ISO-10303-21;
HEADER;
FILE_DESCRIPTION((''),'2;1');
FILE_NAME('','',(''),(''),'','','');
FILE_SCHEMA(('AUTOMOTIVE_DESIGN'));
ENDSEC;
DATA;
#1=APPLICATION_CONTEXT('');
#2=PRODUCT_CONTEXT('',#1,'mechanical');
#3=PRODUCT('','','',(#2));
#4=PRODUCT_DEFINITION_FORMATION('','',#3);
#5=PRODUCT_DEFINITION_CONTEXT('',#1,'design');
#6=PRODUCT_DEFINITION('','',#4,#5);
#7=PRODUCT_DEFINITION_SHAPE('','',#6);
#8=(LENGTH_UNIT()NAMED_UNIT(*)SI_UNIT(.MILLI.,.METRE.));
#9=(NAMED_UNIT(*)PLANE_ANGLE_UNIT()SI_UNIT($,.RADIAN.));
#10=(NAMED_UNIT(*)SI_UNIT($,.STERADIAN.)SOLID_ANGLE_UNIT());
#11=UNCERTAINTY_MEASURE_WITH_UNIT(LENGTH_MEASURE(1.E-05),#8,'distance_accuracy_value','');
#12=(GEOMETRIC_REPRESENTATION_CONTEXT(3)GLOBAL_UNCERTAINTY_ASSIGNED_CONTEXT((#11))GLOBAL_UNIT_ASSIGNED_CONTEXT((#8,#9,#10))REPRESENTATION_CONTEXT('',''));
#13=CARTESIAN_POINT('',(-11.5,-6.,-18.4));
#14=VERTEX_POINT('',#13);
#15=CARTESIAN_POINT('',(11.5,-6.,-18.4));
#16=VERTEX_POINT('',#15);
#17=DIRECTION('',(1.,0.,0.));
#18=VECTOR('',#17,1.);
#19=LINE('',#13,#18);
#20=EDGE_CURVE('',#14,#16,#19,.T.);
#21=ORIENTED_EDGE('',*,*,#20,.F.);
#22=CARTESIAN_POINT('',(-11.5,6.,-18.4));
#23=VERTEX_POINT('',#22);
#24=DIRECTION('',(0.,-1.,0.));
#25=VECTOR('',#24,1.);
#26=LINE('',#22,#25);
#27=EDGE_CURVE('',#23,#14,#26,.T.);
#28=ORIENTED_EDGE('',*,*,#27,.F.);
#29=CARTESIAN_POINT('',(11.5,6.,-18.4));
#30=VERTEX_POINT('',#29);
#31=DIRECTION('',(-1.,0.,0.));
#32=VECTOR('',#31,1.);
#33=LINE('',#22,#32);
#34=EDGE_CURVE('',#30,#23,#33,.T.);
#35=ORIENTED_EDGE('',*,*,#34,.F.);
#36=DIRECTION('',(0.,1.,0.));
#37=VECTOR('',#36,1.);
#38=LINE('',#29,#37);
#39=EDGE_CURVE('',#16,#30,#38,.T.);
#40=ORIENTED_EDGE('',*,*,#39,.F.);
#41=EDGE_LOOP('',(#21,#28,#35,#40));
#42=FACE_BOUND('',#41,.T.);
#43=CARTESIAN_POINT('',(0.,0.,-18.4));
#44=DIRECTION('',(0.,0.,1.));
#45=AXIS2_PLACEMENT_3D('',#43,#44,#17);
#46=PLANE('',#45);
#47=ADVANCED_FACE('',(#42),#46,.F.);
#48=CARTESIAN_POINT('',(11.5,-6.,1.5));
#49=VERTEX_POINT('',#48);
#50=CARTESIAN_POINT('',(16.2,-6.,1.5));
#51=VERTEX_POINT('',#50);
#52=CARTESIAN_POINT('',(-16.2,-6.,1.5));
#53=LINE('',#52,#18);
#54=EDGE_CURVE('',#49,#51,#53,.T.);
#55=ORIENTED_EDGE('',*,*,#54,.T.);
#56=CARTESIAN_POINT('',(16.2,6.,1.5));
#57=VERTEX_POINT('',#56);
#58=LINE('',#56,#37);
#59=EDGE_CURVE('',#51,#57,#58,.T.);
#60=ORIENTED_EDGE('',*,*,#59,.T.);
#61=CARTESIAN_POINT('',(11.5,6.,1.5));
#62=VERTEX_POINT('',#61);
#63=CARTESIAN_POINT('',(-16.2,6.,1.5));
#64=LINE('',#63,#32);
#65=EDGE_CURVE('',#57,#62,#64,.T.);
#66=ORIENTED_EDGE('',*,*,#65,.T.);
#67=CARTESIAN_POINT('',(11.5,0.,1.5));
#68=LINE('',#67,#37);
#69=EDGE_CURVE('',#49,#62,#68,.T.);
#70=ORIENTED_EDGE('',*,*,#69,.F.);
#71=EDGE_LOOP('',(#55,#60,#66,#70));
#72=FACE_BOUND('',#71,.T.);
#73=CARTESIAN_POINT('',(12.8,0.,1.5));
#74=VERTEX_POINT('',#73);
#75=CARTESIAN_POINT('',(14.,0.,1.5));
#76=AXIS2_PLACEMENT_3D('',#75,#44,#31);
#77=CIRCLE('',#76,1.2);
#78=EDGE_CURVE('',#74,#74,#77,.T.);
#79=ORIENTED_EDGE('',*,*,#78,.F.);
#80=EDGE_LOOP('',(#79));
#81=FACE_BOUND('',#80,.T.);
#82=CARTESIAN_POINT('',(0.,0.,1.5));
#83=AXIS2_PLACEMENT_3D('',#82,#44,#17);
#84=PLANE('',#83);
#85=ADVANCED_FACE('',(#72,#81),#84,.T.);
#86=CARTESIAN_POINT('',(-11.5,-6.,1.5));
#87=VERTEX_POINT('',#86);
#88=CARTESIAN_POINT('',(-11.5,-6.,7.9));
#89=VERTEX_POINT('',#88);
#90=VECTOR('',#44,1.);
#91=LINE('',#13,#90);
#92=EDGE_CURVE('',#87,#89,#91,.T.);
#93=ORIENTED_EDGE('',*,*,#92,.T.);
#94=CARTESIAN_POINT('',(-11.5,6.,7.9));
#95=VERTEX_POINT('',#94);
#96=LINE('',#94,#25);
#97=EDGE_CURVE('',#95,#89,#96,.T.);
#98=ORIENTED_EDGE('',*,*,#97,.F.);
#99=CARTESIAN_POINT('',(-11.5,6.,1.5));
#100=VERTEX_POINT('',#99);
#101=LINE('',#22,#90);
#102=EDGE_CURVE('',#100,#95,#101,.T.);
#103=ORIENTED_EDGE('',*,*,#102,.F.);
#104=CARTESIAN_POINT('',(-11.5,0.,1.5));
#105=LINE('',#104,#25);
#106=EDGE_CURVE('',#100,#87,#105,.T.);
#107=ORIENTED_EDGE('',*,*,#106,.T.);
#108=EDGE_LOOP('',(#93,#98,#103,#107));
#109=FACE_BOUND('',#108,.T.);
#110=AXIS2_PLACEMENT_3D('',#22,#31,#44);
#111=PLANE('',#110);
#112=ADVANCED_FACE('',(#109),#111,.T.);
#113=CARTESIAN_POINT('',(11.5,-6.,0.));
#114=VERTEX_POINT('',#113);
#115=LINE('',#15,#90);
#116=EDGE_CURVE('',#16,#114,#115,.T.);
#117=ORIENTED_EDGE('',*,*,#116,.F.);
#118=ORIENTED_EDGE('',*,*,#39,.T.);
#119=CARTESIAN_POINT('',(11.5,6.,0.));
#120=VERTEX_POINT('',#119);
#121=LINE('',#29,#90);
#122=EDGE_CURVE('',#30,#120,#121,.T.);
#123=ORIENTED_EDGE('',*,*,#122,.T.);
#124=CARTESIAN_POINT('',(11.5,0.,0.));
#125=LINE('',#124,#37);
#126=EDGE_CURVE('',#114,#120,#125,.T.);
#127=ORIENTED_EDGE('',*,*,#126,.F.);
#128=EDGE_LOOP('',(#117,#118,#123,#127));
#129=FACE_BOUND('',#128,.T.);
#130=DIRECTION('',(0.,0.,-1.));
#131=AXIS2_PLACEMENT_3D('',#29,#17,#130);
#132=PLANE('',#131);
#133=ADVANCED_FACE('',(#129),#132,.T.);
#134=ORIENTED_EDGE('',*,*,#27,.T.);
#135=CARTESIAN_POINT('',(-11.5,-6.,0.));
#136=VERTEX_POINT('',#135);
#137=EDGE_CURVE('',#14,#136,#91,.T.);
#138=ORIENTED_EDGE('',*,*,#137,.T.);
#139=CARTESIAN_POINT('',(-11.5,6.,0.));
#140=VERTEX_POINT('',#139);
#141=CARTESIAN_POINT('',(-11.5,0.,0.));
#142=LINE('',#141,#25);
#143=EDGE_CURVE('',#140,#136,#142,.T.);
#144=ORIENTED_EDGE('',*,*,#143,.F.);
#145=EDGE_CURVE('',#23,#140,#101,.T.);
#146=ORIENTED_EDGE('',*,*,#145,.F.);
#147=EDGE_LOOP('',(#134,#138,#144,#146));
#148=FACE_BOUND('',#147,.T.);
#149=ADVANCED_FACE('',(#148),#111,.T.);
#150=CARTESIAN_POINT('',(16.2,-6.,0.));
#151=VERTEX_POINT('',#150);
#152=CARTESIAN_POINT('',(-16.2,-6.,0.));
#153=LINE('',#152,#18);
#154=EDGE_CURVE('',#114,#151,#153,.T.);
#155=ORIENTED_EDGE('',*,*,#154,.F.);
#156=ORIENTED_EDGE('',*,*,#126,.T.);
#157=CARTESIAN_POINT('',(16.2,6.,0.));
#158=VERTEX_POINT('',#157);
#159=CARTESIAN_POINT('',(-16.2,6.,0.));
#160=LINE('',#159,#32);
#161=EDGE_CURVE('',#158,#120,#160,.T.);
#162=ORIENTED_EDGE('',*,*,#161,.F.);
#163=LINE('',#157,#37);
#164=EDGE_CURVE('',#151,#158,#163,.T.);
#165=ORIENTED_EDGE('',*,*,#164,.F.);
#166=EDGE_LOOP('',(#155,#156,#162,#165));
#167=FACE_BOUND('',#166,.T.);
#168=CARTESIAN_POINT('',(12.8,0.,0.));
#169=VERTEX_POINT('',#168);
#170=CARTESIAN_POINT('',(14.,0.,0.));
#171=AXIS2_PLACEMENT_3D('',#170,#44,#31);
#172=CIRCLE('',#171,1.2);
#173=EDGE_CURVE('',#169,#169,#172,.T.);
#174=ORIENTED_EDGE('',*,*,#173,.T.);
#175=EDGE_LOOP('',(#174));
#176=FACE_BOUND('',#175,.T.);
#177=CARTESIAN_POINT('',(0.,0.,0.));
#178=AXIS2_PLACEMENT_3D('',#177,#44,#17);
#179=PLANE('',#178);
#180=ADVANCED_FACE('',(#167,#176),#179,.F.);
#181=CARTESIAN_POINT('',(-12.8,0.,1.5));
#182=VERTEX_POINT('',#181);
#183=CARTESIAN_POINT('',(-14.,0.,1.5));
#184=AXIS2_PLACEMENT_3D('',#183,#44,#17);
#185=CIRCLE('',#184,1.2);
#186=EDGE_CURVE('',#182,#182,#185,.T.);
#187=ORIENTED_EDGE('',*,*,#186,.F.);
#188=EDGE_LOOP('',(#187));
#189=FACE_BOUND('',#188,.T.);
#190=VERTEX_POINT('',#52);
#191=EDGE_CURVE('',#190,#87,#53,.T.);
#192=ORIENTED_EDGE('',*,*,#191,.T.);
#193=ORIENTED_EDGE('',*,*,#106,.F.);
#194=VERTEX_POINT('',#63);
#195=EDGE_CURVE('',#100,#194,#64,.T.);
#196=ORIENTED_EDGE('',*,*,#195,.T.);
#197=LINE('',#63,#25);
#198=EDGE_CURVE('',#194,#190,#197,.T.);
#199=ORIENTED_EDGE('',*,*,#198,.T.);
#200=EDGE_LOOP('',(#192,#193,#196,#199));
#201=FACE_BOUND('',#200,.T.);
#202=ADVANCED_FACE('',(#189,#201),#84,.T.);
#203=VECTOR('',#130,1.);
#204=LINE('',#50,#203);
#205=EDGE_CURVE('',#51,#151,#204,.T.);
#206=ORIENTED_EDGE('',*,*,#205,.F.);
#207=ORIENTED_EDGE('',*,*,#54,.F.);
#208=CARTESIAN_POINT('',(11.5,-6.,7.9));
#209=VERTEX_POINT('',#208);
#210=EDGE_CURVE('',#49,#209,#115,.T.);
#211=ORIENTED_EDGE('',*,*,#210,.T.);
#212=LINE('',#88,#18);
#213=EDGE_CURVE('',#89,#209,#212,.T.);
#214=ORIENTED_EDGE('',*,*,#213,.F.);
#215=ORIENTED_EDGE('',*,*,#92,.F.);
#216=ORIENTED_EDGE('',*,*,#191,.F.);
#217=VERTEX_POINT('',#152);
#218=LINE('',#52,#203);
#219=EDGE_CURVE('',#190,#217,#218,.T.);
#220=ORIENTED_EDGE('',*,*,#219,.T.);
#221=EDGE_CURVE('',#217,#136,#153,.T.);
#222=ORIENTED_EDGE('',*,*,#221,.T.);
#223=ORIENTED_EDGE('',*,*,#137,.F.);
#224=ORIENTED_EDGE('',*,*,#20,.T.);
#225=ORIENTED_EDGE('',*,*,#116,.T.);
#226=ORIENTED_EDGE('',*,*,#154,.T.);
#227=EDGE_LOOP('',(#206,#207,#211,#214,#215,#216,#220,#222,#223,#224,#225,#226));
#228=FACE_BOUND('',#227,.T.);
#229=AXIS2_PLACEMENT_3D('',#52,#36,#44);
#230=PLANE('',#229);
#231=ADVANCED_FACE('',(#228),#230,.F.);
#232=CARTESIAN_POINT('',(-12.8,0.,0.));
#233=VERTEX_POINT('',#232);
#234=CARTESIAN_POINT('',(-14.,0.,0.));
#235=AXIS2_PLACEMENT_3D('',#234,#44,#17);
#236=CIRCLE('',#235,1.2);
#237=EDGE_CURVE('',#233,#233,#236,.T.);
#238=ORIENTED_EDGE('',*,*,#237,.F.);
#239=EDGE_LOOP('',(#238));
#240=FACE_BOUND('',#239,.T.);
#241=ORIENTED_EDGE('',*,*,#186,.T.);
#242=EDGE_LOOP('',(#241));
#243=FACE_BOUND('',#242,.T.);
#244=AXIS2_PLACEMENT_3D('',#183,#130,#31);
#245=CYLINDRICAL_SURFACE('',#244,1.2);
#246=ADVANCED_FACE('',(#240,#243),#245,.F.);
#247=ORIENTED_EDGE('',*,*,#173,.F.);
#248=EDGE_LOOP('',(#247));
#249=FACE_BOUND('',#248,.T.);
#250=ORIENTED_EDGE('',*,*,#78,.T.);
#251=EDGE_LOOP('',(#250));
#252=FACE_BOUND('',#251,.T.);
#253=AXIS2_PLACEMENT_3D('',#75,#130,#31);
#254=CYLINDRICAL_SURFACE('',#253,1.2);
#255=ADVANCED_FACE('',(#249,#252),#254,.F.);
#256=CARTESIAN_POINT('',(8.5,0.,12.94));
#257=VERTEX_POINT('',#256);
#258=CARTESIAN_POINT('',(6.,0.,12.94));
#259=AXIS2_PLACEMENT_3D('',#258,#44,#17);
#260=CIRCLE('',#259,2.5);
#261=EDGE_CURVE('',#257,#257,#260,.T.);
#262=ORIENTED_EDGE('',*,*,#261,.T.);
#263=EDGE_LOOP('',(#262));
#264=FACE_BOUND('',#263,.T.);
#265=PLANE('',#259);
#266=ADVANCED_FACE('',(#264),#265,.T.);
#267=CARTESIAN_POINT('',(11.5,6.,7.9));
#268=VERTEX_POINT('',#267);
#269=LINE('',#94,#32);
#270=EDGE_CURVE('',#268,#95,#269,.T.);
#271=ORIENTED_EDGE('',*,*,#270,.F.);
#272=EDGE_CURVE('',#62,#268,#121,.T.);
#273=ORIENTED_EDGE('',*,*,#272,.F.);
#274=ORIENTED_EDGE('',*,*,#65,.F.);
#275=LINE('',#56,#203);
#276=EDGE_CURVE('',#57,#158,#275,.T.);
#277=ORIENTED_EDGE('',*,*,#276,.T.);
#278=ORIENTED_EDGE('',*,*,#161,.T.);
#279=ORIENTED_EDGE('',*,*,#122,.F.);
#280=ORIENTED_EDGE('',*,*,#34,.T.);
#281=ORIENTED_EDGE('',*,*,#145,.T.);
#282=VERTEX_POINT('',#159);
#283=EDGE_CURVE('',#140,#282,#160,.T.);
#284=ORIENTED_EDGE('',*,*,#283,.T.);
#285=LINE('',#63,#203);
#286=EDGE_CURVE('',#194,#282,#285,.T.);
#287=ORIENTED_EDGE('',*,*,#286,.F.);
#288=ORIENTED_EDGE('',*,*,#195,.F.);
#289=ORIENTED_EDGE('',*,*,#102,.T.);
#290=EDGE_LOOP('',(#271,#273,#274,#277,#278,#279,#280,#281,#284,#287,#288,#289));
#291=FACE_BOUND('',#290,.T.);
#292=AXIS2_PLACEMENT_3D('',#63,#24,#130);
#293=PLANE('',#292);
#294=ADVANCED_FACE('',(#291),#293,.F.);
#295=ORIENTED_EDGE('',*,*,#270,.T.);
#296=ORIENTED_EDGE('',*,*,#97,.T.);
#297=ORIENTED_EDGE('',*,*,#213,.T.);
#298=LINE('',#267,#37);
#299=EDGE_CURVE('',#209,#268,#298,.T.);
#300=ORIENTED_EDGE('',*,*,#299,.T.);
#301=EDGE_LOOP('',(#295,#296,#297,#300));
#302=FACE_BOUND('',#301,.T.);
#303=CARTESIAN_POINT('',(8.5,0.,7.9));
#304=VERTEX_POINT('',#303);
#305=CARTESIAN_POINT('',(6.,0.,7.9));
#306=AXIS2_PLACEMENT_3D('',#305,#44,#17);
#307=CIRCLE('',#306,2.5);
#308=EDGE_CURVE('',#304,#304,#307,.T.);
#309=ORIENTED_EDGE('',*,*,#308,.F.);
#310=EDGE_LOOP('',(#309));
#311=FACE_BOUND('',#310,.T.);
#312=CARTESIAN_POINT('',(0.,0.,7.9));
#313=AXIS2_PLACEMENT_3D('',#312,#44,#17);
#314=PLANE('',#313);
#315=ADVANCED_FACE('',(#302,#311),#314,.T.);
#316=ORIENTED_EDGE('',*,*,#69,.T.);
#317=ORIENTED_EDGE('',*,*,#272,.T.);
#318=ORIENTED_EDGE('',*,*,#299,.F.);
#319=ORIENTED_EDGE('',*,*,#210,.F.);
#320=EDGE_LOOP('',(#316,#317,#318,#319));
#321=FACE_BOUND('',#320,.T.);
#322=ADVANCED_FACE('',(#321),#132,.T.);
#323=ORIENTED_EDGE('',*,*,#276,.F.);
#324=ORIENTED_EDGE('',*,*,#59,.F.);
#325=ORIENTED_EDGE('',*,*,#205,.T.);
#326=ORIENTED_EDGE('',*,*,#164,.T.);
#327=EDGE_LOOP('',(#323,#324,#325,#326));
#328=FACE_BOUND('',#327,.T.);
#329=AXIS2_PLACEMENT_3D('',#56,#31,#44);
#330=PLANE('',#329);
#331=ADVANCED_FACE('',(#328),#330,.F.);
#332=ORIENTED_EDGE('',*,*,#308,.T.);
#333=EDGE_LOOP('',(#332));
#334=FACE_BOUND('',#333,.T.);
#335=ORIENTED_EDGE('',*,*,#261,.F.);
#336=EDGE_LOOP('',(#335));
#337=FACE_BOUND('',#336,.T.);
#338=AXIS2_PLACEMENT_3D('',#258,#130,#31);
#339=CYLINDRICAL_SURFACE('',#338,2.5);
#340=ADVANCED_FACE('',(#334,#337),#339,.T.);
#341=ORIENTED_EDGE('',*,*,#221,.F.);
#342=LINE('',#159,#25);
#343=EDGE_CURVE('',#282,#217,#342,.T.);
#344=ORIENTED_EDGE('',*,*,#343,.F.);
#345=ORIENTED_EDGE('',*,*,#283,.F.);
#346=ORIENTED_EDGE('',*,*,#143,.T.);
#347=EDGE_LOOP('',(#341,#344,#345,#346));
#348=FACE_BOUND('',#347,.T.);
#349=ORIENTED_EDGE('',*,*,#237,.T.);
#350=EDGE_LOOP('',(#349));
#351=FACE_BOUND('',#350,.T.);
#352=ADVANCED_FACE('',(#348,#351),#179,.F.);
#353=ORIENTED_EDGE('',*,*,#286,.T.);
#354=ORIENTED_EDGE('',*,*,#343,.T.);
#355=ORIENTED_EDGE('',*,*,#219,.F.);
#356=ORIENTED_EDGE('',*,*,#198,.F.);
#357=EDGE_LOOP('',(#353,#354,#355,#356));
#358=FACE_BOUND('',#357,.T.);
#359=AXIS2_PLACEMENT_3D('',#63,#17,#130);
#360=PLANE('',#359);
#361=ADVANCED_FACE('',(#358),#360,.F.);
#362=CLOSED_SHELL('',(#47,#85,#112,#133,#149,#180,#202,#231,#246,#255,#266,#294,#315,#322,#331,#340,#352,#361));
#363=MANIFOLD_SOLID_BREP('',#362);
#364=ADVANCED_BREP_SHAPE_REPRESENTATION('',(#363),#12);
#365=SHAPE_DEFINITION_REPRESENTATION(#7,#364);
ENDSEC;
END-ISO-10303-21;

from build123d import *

# Parameters (mm, degrees)
SKETCH_1_W           = 32.4
SKETCH_1_H           = 12
SKETCH_1_R           = 1.2
EXTRUDE_1_DEPTH      = 1.5
EXTRUDE_2_DEPTH      = 6.4
EXTRUDE_2_DEPTH_BACK = 19.9
SKETCH_2_W           = 23
SKETCH_2_H           = 12
SKETCH_3_R           = 2.5
EXTRUDE_3_DEPTH      = 5.04


with BuildPart() as part:
    # 草图1 → 凸台-拉伸1 (new body)
    with BuildSketch(Plane.XY):
        Rectangle(SKETCH_1_W, SKETCH_1_H)
        with Locations((-14, 0)):
            Circle(SKETCH_1_R, mode=Mode.SUBTRACT)
        with Locations(Location((14, 0, 0), (0, 0, 180))):
            Circle(SKETCH_1_R, mode=Mode.SUBTRACT)
    extrude(amount=EXTRUDE_1_DEPTH)

    # 草图2 → 凸台-拉伸2 (add, two sides: drawn at the far end of the back side and taken through both)
    with BuildSketch(Plane.XY.offset(1.5).offset(-EXTRUDE_2_DEPTH_BACK)):
        Rectangle(SKETCH_2_W, SKETCH_2_H)
    extrude(amount=EXTRUDE_2_DEPTH + EXTRUDE_2_DEPTH_BACK)

    # 草图3 → 凸台-拉伸3 (add)
    with BuildSketch(Plane.XY.offset(7.9)):
        with Locations((6, 0)):
            Circle(SKETCH_3_R)
    extrude(amount=EXTRUDE_3_DEPTH)


solid = part.part
